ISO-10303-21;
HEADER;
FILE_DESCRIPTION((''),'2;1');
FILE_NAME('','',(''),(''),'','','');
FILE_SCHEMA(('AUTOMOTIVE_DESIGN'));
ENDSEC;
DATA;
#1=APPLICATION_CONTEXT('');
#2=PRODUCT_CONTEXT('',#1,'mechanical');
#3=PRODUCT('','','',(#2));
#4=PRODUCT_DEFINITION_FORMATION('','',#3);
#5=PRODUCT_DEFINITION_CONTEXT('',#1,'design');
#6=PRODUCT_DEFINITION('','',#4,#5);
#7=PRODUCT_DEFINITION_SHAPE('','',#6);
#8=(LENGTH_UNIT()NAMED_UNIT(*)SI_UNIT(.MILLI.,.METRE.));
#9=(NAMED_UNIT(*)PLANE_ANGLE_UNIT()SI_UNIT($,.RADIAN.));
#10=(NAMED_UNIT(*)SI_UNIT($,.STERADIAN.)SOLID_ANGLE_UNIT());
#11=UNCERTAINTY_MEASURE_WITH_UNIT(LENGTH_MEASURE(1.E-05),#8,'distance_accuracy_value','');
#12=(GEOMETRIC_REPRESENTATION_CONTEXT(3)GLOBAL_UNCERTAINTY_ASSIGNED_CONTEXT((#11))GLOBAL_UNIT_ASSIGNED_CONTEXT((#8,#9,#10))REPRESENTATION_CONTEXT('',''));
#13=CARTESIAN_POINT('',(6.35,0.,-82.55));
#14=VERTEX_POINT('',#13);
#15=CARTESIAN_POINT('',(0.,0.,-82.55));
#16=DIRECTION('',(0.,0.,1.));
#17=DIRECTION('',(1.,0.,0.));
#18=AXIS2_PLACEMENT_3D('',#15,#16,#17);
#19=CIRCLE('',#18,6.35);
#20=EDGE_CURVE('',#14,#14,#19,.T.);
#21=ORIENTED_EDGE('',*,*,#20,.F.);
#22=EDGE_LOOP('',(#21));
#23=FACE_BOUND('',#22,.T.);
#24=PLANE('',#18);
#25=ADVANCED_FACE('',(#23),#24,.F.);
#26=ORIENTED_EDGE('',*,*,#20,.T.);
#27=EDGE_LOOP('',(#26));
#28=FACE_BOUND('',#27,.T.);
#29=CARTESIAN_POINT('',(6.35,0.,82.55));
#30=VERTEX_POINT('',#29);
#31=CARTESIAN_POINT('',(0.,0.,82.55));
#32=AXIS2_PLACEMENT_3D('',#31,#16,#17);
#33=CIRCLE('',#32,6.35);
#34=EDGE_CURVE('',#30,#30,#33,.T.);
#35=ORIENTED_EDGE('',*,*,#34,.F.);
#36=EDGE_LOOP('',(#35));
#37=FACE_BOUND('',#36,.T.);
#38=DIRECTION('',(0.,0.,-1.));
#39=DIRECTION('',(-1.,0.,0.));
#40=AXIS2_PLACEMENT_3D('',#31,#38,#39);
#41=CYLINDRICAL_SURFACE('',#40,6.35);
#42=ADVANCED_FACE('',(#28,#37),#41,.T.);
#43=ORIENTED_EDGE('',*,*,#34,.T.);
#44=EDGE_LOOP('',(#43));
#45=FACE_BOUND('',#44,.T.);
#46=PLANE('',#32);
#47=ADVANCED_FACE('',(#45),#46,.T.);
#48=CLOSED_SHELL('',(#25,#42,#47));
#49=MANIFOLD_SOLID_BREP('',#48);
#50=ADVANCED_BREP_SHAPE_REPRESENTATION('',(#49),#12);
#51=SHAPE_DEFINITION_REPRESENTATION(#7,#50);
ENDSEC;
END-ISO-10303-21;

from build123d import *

# Parameters (mm, degrees)
SKETCH1_R           = 6.35
BOSS_EXTRUDE1_DEPTH = 82.55


with BuildPart() as part:
    # Sketch1 → Boss-Extrude1 (new body, symmetric)
    with BuildSketch(Plane.XY):
        Circle(SKETCH1_R)
    extrude(amount=BOSS_EXTRUDE1_DEPTH, both=True)


solid = part.part
